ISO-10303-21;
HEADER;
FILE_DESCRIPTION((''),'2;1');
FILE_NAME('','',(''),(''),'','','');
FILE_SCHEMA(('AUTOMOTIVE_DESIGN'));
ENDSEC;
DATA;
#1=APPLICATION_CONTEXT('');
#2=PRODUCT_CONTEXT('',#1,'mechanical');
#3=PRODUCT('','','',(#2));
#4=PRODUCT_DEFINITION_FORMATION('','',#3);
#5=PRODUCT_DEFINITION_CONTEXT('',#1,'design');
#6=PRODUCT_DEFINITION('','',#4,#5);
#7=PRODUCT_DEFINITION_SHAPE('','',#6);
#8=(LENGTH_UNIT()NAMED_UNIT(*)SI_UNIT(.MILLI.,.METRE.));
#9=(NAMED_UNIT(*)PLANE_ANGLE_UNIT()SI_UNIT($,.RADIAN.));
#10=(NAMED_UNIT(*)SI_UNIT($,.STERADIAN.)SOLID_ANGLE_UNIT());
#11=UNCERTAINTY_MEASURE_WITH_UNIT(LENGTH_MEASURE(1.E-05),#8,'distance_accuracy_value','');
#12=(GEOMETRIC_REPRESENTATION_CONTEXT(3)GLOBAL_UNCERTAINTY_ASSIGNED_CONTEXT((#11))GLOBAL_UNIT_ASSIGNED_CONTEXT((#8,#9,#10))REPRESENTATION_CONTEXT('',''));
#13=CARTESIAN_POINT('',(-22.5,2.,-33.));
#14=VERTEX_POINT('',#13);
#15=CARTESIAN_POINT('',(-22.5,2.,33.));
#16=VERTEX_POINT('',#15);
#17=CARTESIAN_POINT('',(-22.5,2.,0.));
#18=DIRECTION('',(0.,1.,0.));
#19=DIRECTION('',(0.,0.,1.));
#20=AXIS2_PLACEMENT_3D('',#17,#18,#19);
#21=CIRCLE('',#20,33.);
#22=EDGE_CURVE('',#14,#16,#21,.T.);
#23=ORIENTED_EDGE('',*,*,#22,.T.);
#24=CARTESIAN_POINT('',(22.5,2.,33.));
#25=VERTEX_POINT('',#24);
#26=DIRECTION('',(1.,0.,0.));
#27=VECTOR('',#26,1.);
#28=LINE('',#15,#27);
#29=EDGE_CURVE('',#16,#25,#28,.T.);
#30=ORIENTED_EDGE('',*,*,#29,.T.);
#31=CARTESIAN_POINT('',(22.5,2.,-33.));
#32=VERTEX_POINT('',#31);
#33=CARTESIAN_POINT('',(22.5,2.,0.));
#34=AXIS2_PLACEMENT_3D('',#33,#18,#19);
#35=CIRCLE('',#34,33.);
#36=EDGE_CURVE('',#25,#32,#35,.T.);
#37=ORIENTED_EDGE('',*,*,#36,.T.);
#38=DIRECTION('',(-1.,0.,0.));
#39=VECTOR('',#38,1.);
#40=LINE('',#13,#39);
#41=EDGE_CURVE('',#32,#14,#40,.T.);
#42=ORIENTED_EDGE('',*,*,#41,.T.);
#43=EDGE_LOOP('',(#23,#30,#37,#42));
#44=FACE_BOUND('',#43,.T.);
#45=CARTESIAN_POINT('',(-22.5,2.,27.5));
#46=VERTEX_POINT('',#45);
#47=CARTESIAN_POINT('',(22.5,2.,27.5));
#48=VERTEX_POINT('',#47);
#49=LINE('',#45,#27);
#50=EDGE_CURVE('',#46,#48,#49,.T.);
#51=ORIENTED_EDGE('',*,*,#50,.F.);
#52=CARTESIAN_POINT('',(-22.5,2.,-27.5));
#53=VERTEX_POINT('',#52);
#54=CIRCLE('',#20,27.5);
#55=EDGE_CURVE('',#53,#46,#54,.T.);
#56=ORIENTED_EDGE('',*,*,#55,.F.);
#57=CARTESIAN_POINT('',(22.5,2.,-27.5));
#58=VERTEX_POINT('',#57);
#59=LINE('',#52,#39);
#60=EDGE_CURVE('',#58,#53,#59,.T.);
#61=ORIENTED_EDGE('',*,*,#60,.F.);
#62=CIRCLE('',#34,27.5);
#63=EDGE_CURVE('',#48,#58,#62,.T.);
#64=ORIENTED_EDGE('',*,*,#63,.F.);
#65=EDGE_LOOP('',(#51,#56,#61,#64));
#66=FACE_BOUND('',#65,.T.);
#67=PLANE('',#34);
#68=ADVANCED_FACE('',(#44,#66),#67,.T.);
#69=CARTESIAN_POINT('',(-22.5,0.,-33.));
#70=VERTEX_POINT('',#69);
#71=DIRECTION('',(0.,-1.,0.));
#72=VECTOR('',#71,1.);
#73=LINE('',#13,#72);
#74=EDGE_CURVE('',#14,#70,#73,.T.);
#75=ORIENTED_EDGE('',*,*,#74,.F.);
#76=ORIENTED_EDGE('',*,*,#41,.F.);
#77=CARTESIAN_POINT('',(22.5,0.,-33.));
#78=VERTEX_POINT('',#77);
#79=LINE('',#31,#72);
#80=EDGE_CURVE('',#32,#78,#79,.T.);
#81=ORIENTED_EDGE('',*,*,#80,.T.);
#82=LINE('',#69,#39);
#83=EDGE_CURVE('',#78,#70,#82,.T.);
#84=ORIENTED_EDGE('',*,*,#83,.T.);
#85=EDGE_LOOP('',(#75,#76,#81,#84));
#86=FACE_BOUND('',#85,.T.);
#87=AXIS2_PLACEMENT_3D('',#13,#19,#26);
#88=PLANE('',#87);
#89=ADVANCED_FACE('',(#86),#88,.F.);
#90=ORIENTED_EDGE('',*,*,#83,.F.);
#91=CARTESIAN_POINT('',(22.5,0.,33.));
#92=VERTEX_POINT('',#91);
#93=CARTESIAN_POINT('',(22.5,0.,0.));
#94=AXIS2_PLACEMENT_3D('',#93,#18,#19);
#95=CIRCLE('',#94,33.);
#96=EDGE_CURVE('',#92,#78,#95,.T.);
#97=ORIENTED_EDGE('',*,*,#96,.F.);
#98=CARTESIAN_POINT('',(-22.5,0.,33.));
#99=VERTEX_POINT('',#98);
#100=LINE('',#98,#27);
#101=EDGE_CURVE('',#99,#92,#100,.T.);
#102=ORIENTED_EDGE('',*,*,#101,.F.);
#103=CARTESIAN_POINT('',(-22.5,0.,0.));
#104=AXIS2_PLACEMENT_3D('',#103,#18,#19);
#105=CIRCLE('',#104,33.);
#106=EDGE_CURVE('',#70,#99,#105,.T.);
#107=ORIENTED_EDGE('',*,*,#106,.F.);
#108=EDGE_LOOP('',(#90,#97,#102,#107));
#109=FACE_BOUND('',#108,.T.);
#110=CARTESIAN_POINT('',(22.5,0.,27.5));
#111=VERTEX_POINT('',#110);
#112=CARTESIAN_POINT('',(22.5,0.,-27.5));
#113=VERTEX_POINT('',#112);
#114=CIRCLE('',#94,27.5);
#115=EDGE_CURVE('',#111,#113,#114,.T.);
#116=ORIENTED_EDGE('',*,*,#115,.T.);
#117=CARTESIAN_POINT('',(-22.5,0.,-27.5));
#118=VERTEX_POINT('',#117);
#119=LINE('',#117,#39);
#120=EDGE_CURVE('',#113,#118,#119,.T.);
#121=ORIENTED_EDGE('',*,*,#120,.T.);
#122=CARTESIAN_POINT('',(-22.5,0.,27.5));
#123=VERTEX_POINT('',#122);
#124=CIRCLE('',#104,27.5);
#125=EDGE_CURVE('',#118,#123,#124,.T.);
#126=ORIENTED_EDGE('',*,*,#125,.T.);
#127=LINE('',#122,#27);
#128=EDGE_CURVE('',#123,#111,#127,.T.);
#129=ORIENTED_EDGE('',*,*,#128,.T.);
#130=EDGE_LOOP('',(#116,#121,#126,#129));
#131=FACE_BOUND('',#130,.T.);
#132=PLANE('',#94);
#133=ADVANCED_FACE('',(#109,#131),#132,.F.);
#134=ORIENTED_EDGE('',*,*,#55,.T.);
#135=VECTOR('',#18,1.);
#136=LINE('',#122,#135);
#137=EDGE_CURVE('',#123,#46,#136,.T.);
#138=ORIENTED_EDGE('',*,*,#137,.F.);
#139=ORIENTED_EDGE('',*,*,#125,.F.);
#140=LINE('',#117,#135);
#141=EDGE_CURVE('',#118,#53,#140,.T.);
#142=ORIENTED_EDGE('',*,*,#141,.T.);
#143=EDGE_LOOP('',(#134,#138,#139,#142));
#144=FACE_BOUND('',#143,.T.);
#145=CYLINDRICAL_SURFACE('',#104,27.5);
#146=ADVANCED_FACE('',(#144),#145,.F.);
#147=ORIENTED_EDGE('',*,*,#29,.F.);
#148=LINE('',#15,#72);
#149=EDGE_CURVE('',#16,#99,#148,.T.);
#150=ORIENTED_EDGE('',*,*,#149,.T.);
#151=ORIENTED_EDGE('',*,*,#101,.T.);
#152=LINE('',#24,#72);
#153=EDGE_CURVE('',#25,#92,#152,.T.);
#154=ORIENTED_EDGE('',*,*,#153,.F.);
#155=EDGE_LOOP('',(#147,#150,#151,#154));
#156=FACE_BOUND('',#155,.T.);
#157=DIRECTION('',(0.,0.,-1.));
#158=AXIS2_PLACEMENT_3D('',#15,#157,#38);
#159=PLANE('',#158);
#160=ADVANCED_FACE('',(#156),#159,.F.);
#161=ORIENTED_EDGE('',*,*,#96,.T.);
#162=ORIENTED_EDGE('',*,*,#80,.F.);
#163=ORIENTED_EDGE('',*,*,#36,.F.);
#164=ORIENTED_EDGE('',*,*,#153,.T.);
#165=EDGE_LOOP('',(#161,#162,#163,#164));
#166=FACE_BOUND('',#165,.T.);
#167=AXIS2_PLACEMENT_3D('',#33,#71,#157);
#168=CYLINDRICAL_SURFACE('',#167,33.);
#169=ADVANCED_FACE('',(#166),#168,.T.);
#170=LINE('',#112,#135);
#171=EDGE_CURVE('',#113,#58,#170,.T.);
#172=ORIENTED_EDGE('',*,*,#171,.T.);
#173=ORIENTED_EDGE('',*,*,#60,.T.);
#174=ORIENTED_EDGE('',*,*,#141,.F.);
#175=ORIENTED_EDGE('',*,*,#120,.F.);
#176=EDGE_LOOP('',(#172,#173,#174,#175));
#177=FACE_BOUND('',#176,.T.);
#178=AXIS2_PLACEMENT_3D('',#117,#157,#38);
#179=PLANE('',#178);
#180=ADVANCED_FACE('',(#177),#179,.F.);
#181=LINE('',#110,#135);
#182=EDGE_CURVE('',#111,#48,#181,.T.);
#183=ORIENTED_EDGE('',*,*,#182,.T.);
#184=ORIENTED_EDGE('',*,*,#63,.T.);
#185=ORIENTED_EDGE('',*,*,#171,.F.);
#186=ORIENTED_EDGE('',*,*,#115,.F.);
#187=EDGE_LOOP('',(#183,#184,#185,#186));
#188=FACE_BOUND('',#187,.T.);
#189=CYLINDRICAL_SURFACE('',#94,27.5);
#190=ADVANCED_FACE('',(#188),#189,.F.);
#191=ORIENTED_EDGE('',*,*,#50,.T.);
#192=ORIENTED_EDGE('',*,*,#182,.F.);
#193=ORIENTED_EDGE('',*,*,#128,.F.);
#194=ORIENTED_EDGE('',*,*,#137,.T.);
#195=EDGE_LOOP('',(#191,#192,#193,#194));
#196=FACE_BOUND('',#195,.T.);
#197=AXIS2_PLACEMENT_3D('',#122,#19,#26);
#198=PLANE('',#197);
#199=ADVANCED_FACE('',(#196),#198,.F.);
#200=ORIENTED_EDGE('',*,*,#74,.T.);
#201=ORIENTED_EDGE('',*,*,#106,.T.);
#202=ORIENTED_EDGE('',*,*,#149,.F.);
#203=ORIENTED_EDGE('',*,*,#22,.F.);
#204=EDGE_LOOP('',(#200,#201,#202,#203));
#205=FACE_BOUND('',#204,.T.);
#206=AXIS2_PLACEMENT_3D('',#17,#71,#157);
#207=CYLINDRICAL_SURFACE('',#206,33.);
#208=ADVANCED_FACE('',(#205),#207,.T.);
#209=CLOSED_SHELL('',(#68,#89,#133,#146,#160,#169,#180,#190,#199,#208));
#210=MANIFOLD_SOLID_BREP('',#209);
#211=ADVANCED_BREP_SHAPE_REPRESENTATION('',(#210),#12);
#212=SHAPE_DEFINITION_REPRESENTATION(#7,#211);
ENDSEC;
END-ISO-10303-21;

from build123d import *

# Parameters (mm, degrees)
EXTRUDE_1_DEPTH     = 2
CUT_EXTRUDE_1_DEPTH = 3


with BuildPart() as part:
    # Эскиз1 → Бобышка-Вытянуть1 (new body)
    with BuildSketch(Plane(origin=(0, 0, 0), x_dir=(1, 0, 0), z_dir=(0, 1, 0))):
        with BuildLine():
            Line((-22.5, 33), (22.5, 33))
            ThreePointArc((22.5, 33), (55.5, 0), (22.5, -33))
            Line((22.5, -33), (-22.5, -33))
            ThreePointArc((-22.5, -33), (-55.5, 0), (-22.5, 33))
        make_face()
    extrude(amount=EXTRUDE_1_DEPTH)

    # Эскиз2 → Вырез-Вытянуть1 (cut, through all)
    with BuildSketch(Plane(origin=(0, 2, 0), x_dir=(1, 0, 0), z_dir=(0, 1, 0))):
        with BuildLine():
            Line((-22.5, 27.5), (22.5, 27.5))
            ThreePointArc((22.5, 27.5), (50, 0), (22.5, -27.5))
            Line((22.5, -27.5), (-22.5, -27.5))
            ThreePointArc((-22.5, -27.5), (-50, 0), (-22.5, 27.5))
        make_face()
    extrude(amount=-CUT_EXTRUDE_1_DEPTH, mode=Mode.SUBTRACT)


solid = part.part
